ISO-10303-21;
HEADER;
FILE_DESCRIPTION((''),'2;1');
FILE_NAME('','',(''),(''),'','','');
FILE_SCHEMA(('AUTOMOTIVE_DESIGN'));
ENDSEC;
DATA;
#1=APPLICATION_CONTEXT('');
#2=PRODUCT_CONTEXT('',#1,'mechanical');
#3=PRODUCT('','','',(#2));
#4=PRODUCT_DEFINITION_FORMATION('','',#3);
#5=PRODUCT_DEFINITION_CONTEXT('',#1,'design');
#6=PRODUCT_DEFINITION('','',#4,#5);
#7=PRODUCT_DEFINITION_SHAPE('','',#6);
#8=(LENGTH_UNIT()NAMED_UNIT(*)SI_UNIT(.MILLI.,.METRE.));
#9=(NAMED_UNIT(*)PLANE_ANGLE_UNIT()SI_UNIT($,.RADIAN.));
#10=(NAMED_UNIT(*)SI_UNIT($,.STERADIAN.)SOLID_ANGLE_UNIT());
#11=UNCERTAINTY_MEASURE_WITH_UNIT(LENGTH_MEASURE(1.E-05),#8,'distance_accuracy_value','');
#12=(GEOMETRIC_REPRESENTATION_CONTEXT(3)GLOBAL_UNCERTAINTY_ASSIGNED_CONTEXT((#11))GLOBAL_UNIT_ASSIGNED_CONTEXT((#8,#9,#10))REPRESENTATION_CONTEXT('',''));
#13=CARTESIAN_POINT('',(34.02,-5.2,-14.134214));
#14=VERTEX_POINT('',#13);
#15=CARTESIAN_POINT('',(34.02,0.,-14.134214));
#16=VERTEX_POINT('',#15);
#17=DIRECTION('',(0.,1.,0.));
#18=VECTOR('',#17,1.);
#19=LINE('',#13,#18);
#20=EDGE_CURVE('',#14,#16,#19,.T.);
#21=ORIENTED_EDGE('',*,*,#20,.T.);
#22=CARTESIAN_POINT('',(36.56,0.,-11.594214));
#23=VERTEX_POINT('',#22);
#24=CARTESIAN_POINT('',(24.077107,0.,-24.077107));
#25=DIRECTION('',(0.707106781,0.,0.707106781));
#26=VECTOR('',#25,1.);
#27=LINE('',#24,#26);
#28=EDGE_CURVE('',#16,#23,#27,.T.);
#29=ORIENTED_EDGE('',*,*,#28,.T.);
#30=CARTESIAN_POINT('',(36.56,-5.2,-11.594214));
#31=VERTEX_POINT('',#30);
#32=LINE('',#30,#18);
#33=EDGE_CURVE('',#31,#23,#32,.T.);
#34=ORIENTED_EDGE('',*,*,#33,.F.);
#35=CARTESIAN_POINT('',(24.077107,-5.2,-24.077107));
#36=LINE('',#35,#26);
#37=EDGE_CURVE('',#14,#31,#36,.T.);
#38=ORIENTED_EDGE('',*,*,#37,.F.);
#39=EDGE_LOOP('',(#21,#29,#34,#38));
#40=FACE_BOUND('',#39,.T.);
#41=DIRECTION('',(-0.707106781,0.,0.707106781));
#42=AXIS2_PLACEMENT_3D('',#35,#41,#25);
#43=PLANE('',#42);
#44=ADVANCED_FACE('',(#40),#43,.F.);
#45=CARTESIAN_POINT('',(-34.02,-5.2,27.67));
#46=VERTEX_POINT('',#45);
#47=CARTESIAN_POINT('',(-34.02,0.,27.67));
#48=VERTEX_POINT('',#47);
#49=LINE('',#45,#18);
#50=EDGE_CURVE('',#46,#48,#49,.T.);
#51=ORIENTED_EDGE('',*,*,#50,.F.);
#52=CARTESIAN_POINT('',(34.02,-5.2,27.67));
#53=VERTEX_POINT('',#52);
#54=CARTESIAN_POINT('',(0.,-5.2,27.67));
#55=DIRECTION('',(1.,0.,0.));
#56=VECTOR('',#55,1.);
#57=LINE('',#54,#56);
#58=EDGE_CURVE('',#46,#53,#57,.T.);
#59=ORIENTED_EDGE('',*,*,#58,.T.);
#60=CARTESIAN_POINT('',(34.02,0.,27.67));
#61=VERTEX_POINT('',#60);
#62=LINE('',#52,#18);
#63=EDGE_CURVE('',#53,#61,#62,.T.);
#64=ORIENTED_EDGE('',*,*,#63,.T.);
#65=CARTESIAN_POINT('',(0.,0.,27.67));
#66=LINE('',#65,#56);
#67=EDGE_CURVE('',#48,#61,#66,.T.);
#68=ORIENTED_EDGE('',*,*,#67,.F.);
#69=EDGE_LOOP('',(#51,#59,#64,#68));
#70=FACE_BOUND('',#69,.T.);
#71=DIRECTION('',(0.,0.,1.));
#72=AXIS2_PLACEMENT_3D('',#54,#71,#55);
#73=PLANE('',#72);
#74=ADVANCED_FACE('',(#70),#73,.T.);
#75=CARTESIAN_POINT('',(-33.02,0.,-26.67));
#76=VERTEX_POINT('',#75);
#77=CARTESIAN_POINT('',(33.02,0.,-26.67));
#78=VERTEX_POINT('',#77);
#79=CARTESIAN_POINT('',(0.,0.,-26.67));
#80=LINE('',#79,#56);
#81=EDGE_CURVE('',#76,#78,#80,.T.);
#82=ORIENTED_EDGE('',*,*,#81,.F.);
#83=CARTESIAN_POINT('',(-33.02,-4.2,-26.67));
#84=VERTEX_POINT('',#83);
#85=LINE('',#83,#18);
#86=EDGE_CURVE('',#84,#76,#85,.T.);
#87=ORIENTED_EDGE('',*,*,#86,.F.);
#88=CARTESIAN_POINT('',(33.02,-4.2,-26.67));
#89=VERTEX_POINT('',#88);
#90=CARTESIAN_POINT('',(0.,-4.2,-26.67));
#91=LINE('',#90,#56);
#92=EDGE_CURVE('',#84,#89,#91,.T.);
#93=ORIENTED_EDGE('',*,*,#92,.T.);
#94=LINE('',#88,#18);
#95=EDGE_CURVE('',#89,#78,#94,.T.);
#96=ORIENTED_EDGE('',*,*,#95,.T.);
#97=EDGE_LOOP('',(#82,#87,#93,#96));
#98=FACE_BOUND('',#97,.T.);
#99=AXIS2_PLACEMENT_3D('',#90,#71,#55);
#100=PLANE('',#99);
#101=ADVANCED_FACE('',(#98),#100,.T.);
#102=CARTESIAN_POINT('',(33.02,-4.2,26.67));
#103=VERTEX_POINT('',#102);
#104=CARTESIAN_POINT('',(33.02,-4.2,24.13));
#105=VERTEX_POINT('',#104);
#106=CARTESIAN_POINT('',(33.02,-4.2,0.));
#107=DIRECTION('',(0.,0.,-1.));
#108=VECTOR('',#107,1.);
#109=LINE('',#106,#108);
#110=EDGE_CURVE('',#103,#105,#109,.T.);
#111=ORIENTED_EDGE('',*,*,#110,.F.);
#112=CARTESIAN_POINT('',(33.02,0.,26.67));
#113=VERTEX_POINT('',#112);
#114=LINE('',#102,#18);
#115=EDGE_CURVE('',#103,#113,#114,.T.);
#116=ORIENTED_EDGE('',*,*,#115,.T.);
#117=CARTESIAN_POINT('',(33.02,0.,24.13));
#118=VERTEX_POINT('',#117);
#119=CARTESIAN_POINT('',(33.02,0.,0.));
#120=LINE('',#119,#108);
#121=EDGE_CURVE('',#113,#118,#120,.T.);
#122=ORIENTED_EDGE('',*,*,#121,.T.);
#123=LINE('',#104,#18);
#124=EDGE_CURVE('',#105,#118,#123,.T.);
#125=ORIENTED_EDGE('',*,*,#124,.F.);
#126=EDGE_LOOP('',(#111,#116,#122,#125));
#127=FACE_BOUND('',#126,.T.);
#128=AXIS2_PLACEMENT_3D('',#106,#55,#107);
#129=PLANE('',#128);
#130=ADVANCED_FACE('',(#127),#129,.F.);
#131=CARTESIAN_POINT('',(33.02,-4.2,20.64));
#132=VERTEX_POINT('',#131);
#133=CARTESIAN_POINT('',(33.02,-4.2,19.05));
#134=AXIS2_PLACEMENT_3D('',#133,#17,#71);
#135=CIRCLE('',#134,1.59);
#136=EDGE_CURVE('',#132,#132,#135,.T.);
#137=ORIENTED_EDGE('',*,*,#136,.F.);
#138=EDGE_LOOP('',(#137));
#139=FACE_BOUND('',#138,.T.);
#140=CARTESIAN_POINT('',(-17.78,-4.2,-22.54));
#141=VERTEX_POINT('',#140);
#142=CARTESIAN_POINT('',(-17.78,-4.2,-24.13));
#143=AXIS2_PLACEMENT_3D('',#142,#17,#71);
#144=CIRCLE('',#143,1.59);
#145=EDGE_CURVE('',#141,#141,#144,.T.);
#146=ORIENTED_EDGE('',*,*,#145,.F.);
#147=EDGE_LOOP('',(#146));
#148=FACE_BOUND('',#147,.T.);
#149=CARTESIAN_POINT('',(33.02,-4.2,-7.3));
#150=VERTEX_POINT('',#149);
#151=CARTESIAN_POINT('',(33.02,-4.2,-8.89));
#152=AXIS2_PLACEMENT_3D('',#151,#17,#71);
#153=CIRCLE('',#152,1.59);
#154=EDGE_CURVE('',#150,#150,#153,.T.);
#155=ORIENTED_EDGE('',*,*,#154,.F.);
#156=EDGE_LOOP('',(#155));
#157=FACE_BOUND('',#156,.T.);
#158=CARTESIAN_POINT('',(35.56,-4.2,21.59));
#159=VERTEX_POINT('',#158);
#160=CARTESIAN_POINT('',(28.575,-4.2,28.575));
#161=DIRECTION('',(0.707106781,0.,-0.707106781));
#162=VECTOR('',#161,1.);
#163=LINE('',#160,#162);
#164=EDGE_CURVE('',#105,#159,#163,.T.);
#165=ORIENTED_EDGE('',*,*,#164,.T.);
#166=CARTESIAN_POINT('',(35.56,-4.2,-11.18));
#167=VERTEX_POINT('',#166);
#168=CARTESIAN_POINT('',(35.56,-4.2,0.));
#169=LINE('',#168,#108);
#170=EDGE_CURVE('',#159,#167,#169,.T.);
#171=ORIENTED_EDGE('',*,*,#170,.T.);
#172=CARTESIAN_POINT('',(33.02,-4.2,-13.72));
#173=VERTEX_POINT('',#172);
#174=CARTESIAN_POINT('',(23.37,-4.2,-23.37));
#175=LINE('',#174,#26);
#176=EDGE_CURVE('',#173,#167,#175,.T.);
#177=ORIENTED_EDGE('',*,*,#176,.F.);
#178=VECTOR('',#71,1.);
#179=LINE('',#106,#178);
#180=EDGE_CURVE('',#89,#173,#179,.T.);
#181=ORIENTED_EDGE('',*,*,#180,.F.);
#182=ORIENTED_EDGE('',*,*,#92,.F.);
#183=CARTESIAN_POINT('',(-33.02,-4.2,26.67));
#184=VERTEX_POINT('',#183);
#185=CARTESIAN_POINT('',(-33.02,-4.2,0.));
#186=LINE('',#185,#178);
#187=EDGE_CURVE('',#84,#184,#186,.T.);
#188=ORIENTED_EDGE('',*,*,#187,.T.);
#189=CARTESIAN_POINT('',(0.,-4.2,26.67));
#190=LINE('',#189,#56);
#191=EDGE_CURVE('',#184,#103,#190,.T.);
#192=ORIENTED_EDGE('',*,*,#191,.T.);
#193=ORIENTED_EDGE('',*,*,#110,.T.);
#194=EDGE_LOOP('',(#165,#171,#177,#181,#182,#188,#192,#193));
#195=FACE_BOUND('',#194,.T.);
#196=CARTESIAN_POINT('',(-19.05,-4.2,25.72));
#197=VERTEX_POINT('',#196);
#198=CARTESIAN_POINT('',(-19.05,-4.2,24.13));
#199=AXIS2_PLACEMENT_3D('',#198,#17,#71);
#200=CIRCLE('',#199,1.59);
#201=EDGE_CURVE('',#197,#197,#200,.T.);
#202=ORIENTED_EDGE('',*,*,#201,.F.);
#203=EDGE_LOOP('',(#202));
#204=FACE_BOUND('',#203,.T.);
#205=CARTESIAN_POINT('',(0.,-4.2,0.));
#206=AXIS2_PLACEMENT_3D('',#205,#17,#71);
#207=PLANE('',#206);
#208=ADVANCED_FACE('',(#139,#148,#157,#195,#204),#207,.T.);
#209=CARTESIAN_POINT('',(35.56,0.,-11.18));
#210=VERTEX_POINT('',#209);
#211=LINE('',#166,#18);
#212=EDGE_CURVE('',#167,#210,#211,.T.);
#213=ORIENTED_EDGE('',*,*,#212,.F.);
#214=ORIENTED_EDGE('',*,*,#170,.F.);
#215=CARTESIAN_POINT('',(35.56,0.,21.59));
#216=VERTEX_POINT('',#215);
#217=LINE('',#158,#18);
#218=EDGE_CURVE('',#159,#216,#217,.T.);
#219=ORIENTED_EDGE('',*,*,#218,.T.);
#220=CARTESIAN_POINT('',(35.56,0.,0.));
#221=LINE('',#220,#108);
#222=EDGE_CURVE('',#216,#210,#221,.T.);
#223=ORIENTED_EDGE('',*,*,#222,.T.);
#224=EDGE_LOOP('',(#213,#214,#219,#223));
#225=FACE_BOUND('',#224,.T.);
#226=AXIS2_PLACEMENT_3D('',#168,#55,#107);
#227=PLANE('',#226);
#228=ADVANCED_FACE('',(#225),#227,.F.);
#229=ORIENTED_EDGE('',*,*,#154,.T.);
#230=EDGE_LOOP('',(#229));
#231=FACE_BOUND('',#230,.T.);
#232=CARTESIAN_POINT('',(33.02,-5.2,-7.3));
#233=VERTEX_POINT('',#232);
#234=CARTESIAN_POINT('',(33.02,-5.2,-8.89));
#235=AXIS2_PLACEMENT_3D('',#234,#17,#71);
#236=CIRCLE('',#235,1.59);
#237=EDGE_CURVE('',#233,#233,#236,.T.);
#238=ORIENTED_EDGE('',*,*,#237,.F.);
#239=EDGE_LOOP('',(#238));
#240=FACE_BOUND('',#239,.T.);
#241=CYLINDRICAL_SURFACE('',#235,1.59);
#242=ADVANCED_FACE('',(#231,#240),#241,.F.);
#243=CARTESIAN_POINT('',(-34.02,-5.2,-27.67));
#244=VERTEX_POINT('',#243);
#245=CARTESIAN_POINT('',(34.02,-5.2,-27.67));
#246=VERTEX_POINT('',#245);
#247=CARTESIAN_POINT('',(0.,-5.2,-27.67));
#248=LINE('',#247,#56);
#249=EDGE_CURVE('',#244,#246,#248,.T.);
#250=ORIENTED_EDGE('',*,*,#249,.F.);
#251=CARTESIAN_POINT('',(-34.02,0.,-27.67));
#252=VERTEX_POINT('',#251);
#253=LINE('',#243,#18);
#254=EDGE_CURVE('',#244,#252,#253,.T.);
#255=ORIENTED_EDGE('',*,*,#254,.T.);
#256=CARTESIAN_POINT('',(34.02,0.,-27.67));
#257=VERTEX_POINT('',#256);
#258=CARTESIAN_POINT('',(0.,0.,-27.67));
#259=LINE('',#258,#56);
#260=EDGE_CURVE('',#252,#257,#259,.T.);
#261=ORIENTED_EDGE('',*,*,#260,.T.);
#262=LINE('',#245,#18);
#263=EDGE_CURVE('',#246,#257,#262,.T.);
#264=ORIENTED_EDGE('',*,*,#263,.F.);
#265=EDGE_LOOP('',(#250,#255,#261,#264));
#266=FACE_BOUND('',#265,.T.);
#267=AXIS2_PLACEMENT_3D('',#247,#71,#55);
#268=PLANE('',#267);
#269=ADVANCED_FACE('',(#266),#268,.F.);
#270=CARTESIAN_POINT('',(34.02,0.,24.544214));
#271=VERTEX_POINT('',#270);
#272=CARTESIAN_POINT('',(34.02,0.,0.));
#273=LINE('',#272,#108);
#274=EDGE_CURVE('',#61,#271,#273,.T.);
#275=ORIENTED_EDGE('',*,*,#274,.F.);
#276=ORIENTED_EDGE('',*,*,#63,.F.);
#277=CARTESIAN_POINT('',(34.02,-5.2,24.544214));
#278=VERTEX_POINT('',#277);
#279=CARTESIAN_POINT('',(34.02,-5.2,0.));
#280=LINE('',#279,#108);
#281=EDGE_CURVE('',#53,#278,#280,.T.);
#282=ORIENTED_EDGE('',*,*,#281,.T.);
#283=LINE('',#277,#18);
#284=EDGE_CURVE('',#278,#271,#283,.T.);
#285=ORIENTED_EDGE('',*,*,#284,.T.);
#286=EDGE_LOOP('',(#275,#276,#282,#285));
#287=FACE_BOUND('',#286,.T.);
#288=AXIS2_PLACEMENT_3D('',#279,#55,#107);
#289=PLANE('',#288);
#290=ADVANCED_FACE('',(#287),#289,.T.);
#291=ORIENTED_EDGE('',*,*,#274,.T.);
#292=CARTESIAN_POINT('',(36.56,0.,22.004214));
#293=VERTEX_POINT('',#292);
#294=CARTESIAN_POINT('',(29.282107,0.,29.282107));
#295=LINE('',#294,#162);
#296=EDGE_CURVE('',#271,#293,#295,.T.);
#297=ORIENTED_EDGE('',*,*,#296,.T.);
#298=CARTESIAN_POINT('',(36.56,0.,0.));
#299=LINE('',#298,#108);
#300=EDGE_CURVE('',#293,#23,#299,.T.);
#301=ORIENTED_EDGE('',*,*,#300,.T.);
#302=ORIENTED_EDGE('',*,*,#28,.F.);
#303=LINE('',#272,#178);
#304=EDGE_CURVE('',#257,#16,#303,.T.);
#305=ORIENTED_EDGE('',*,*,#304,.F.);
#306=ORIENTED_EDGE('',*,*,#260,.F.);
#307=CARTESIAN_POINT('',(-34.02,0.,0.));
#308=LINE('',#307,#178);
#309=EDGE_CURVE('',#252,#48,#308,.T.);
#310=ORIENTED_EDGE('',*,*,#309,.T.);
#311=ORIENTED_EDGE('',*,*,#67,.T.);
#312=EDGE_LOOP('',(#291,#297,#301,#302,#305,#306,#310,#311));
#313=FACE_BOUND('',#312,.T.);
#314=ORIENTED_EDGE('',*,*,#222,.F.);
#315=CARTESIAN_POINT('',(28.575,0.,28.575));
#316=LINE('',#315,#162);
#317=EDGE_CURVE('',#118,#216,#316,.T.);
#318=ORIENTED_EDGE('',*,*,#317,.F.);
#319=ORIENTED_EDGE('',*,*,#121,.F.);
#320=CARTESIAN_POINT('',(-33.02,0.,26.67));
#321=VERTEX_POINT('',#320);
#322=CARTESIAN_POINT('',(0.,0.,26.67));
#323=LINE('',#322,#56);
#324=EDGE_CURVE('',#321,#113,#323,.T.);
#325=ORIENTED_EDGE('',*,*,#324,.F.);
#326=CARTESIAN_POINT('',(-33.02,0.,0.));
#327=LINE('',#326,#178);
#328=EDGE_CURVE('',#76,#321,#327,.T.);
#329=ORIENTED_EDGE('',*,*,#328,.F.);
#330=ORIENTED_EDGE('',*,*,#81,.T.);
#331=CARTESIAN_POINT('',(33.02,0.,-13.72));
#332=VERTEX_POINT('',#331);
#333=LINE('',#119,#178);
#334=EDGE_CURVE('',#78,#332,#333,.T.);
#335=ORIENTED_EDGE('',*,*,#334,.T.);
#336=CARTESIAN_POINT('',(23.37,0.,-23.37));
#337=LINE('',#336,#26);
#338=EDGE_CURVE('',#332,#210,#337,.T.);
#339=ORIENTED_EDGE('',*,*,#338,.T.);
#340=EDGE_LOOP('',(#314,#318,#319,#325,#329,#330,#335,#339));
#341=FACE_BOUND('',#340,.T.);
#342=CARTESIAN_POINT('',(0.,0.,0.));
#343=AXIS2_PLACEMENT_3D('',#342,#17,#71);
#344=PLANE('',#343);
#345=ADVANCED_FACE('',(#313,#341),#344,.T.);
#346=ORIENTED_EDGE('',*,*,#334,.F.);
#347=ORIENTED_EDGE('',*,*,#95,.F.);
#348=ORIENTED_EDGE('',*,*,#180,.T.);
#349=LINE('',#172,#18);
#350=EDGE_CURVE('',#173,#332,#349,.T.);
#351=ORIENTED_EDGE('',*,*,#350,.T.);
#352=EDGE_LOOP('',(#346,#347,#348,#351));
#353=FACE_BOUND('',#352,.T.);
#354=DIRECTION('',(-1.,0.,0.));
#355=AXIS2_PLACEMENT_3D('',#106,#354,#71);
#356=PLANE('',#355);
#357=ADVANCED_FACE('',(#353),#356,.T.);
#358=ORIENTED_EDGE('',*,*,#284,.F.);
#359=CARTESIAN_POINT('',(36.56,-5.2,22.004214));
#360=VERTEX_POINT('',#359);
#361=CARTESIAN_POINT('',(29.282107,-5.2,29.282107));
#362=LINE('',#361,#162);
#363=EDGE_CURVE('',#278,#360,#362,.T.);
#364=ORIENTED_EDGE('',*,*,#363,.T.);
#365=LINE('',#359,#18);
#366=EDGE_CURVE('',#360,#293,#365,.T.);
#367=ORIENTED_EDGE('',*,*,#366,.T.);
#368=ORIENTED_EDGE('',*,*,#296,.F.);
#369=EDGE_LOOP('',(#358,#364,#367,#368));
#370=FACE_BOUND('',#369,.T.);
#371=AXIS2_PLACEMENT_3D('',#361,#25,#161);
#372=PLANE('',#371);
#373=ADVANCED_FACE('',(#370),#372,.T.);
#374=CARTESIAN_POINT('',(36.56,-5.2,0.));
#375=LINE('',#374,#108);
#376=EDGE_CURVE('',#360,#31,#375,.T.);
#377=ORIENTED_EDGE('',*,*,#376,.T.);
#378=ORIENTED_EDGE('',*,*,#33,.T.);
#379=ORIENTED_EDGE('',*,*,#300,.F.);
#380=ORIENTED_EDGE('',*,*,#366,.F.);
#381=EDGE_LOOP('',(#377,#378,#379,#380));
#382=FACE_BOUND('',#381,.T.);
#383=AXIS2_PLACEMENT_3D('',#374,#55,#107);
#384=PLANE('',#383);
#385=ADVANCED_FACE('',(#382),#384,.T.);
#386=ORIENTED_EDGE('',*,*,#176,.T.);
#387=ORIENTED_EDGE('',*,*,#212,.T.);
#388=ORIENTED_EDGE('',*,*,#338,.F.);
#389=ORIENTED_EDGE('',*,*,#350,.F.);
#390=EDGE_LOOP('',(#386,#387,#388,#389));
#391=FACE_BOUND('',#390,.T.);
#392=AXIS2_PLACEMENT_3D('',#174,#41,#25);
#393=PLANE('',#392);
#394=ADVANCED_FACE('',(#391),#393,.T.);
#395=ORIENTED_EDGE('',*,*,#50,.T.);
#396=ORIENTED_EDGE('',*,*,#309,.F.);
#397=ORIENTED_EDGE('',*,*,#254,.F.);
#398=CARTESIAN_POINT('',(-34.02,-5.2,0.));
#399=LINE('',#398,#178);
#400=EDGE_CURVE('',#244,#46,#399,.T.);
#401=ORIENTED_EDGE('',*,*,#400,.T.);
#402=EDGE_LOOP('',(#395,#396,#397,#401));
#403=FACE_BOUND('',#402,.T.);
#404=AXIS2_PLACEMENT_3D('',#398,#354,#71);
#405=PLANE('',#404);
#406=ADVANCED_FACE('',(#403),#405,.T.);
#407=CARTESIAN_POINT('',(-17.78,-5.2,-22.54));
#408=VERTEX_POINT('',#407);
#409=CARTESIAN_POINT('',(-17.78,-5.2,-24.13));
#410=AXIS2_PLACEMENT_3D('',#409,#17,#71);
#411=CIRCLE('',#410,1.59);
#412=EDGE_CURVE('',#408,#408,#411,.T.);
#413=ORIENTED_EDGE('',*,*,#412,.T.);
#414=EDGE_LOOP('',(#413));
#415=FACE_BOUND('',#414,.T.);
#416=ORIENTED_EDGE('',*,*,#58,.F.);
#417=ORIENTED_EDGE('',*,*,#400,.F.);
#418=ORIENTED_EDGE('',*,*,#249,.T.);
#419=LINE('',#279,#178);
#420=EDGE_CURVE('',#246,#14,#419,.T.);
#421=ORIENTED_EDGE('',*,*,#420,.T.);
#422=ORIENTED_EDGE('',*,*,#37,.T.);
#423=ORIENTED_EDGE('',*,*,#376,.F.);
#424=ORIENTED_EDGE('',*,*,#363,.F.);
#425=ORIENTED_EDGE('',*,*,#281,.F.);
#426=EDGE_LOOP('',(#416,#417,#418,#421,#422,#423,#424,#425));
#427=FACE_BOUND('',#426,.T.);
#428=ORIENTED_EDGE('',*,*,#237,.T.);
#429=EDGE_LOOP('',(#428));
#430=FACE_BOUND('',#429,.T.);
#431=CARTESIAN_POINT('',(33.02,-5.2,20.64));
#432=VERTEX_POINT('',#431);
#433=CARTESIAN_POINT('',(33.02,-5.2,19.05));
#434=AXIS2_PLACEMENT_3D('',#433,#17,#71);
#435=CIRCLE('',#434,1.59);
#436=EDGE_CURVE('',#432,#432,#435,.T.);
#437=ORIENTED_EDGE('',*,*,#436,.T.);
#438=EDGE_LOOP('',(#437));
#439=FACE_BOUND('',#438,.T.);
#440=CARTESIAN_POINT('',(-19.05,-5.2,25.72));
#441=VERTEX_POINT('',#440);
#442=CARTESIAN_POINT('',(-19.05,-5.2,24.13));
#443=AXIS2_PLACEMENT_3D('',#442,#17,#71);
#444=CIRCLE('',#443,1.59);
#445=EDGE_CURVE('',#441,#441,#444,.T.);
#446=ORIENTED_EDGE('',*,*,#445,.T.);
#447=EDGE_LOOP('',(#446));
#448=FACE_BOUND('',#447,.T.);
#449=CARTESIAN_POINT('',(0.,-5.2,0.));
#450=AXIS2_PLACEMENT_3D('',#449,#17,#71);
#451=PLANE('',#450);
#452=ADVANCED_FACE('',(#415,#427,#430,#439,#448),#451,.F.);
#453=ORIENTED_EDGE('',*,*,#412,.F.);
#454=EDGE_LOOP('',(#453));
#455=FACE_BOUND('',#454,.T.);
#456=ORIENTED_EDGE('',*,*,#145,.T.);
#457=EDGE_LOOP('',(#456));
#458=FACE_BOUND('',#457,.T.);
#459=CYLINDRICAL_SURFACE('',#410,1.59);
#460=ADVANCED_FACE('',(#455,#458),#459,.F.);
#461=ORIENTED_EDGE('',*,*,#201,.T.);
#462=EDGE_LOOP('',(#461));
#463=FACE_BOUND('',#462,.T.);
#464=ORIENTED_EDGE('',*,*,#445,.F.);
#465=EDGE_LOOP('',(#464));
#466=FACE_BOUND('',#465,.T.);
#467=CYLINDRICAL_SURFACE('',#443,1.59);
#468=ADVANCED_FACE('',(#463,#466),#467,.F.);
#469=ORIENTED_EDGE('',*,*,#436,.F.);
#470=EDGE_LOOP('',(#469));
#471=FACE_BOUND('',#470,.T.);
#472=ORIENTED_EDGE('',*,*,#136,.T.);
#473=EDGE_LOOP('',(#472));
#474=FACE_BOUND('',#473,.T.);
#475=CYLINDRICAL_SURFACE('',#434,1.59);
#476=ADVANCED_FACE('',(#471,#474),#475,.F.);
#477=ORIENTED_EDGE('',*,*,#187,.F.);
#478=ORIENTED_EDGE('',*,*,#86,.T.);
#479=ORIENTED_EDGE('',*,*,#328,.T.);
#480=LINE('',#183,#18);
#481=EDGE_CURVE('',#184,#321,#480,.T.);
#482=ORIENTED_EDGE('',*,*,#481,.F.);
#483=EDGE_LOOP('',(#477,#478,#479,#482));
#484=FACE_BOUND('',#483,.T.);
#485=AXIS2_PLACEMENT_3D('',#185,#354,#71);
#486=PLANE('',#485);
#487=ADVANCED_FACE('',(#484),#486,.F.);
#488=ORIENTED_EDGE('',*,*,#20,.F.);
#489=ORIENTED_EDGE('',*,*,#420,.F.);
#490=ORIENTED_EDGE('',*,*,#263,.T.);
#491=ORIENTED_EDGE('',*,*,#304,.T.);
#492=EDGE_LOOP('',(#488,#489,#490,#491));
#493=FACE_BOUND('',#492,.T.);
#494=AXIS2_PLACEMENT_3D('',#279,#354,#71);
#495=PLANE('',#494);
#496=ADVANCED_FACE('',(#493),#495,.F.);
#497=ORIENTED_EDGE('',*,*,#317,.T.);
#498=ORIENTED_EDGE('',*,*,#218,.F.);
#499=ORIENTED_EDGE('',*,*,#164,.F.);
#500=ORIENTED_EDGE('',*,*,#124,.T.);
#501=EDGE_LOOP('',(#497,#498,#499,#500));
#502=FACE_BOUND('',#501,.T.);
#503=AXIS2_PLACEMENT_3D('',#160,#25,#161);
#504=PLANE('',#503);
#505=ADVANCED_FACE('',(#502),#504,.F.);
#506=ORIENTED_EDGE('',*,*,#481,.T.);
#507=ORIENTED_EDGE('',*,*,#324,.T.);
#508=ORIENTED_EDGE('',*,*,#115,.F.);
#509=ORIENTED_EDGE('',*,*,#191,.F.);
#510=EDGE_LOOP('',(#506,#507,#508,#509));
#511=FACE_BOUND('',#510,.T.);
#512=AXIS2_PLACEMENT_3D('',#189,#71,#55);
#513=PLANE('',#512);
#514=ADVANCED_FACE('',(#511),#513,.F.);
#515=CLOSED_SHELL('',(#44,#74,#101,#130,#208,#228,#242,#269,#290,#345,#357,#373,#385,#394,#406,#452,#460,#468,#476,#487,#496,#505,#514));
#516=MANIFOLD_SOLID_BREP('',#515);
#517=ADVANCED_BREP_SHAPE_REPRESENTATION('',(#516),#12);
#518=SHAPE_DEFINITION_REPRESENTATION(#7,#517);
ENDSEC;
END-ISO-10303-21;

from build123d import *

# Parameters (mm, degrees)
SKETCH1_R           = 1.59
BOSS_EXTRUDE1_DEPTH = 5.2
SKETCH1_5_R         = 1.59
CUT_EXTRUDE2_DEPTH  = 4.2


with BuildPart() as part:
    # Sketch1 → Boss-Extrude1 (new body)
    with BuildSketch(Plane(origin=(0, 0, 0), x_dir=(1, 0, 0), z_dir=(0, 1, 0))):
        Polygon((36.56, 11.594213562), (34.02, 14.134213562), (34.02, 27.67), (-34.02, 27.67), (-34.02, -27.67), (34.02, -27.67), (34.02, -24.544213562), (36.56, -22.004213562), align=None)
        with Locations((-19.05, -24.13)):
            Circle(SKETCH1_R, mode=Mode.SUBTRACT)
        with Locations((33.02, -19.05)):
            Circle(SKETCH1_R, mode=Mode.SUBTRACT)
        with Locations((-17.78, 24.13)):
            Circle(SKETCH1_R, mode=Mode.SUBTRACT)
        with Locations((33.02, 8.89)):
            Circle(SKETCH1_R, mode=Mode.SUBTRACT)
    extrude(amount=-BOSS_EXTRUDE1_DEPTH)

    # Sketch1<5> → Cut-Extrude2 (cut)
    with BuildSketch(Plane(origin=(0, 0, 0), x_dir=(1, 0, 0), z_dir=(0, 1, 0))):
        Polygon((-33.02, -26.67), (33.02, -26.67), (33.02, -24.13), (35.56, -21.59), (35.56, 11.18), (33.02, 13.72), (33.02, 26.67), (-33.02, 26.67), align=None)
        with Locations((-19.05, -24.13)):
            Circle(SKETCH1_5_R, mode=Mode.SUBTRACT)
        with Locations((33.02, -19.05)):
            Circle(SKETCH1_5_R, mode=Mode.SUBTRACT)
        with Locations((-17.78, 24.13)):
            Circle(SKETCH1_5_R, mode=Mode.SUBTRACT)
        with Locations((33.02, 8.89)):
            Circle(SKETCH1_5_R, mode=Mode.SUBTRACT)
    extrude(amount=-CUT_EXTRUDE2_DEPTH, mode=Mode.SUBTRACT)


solid = part.part
